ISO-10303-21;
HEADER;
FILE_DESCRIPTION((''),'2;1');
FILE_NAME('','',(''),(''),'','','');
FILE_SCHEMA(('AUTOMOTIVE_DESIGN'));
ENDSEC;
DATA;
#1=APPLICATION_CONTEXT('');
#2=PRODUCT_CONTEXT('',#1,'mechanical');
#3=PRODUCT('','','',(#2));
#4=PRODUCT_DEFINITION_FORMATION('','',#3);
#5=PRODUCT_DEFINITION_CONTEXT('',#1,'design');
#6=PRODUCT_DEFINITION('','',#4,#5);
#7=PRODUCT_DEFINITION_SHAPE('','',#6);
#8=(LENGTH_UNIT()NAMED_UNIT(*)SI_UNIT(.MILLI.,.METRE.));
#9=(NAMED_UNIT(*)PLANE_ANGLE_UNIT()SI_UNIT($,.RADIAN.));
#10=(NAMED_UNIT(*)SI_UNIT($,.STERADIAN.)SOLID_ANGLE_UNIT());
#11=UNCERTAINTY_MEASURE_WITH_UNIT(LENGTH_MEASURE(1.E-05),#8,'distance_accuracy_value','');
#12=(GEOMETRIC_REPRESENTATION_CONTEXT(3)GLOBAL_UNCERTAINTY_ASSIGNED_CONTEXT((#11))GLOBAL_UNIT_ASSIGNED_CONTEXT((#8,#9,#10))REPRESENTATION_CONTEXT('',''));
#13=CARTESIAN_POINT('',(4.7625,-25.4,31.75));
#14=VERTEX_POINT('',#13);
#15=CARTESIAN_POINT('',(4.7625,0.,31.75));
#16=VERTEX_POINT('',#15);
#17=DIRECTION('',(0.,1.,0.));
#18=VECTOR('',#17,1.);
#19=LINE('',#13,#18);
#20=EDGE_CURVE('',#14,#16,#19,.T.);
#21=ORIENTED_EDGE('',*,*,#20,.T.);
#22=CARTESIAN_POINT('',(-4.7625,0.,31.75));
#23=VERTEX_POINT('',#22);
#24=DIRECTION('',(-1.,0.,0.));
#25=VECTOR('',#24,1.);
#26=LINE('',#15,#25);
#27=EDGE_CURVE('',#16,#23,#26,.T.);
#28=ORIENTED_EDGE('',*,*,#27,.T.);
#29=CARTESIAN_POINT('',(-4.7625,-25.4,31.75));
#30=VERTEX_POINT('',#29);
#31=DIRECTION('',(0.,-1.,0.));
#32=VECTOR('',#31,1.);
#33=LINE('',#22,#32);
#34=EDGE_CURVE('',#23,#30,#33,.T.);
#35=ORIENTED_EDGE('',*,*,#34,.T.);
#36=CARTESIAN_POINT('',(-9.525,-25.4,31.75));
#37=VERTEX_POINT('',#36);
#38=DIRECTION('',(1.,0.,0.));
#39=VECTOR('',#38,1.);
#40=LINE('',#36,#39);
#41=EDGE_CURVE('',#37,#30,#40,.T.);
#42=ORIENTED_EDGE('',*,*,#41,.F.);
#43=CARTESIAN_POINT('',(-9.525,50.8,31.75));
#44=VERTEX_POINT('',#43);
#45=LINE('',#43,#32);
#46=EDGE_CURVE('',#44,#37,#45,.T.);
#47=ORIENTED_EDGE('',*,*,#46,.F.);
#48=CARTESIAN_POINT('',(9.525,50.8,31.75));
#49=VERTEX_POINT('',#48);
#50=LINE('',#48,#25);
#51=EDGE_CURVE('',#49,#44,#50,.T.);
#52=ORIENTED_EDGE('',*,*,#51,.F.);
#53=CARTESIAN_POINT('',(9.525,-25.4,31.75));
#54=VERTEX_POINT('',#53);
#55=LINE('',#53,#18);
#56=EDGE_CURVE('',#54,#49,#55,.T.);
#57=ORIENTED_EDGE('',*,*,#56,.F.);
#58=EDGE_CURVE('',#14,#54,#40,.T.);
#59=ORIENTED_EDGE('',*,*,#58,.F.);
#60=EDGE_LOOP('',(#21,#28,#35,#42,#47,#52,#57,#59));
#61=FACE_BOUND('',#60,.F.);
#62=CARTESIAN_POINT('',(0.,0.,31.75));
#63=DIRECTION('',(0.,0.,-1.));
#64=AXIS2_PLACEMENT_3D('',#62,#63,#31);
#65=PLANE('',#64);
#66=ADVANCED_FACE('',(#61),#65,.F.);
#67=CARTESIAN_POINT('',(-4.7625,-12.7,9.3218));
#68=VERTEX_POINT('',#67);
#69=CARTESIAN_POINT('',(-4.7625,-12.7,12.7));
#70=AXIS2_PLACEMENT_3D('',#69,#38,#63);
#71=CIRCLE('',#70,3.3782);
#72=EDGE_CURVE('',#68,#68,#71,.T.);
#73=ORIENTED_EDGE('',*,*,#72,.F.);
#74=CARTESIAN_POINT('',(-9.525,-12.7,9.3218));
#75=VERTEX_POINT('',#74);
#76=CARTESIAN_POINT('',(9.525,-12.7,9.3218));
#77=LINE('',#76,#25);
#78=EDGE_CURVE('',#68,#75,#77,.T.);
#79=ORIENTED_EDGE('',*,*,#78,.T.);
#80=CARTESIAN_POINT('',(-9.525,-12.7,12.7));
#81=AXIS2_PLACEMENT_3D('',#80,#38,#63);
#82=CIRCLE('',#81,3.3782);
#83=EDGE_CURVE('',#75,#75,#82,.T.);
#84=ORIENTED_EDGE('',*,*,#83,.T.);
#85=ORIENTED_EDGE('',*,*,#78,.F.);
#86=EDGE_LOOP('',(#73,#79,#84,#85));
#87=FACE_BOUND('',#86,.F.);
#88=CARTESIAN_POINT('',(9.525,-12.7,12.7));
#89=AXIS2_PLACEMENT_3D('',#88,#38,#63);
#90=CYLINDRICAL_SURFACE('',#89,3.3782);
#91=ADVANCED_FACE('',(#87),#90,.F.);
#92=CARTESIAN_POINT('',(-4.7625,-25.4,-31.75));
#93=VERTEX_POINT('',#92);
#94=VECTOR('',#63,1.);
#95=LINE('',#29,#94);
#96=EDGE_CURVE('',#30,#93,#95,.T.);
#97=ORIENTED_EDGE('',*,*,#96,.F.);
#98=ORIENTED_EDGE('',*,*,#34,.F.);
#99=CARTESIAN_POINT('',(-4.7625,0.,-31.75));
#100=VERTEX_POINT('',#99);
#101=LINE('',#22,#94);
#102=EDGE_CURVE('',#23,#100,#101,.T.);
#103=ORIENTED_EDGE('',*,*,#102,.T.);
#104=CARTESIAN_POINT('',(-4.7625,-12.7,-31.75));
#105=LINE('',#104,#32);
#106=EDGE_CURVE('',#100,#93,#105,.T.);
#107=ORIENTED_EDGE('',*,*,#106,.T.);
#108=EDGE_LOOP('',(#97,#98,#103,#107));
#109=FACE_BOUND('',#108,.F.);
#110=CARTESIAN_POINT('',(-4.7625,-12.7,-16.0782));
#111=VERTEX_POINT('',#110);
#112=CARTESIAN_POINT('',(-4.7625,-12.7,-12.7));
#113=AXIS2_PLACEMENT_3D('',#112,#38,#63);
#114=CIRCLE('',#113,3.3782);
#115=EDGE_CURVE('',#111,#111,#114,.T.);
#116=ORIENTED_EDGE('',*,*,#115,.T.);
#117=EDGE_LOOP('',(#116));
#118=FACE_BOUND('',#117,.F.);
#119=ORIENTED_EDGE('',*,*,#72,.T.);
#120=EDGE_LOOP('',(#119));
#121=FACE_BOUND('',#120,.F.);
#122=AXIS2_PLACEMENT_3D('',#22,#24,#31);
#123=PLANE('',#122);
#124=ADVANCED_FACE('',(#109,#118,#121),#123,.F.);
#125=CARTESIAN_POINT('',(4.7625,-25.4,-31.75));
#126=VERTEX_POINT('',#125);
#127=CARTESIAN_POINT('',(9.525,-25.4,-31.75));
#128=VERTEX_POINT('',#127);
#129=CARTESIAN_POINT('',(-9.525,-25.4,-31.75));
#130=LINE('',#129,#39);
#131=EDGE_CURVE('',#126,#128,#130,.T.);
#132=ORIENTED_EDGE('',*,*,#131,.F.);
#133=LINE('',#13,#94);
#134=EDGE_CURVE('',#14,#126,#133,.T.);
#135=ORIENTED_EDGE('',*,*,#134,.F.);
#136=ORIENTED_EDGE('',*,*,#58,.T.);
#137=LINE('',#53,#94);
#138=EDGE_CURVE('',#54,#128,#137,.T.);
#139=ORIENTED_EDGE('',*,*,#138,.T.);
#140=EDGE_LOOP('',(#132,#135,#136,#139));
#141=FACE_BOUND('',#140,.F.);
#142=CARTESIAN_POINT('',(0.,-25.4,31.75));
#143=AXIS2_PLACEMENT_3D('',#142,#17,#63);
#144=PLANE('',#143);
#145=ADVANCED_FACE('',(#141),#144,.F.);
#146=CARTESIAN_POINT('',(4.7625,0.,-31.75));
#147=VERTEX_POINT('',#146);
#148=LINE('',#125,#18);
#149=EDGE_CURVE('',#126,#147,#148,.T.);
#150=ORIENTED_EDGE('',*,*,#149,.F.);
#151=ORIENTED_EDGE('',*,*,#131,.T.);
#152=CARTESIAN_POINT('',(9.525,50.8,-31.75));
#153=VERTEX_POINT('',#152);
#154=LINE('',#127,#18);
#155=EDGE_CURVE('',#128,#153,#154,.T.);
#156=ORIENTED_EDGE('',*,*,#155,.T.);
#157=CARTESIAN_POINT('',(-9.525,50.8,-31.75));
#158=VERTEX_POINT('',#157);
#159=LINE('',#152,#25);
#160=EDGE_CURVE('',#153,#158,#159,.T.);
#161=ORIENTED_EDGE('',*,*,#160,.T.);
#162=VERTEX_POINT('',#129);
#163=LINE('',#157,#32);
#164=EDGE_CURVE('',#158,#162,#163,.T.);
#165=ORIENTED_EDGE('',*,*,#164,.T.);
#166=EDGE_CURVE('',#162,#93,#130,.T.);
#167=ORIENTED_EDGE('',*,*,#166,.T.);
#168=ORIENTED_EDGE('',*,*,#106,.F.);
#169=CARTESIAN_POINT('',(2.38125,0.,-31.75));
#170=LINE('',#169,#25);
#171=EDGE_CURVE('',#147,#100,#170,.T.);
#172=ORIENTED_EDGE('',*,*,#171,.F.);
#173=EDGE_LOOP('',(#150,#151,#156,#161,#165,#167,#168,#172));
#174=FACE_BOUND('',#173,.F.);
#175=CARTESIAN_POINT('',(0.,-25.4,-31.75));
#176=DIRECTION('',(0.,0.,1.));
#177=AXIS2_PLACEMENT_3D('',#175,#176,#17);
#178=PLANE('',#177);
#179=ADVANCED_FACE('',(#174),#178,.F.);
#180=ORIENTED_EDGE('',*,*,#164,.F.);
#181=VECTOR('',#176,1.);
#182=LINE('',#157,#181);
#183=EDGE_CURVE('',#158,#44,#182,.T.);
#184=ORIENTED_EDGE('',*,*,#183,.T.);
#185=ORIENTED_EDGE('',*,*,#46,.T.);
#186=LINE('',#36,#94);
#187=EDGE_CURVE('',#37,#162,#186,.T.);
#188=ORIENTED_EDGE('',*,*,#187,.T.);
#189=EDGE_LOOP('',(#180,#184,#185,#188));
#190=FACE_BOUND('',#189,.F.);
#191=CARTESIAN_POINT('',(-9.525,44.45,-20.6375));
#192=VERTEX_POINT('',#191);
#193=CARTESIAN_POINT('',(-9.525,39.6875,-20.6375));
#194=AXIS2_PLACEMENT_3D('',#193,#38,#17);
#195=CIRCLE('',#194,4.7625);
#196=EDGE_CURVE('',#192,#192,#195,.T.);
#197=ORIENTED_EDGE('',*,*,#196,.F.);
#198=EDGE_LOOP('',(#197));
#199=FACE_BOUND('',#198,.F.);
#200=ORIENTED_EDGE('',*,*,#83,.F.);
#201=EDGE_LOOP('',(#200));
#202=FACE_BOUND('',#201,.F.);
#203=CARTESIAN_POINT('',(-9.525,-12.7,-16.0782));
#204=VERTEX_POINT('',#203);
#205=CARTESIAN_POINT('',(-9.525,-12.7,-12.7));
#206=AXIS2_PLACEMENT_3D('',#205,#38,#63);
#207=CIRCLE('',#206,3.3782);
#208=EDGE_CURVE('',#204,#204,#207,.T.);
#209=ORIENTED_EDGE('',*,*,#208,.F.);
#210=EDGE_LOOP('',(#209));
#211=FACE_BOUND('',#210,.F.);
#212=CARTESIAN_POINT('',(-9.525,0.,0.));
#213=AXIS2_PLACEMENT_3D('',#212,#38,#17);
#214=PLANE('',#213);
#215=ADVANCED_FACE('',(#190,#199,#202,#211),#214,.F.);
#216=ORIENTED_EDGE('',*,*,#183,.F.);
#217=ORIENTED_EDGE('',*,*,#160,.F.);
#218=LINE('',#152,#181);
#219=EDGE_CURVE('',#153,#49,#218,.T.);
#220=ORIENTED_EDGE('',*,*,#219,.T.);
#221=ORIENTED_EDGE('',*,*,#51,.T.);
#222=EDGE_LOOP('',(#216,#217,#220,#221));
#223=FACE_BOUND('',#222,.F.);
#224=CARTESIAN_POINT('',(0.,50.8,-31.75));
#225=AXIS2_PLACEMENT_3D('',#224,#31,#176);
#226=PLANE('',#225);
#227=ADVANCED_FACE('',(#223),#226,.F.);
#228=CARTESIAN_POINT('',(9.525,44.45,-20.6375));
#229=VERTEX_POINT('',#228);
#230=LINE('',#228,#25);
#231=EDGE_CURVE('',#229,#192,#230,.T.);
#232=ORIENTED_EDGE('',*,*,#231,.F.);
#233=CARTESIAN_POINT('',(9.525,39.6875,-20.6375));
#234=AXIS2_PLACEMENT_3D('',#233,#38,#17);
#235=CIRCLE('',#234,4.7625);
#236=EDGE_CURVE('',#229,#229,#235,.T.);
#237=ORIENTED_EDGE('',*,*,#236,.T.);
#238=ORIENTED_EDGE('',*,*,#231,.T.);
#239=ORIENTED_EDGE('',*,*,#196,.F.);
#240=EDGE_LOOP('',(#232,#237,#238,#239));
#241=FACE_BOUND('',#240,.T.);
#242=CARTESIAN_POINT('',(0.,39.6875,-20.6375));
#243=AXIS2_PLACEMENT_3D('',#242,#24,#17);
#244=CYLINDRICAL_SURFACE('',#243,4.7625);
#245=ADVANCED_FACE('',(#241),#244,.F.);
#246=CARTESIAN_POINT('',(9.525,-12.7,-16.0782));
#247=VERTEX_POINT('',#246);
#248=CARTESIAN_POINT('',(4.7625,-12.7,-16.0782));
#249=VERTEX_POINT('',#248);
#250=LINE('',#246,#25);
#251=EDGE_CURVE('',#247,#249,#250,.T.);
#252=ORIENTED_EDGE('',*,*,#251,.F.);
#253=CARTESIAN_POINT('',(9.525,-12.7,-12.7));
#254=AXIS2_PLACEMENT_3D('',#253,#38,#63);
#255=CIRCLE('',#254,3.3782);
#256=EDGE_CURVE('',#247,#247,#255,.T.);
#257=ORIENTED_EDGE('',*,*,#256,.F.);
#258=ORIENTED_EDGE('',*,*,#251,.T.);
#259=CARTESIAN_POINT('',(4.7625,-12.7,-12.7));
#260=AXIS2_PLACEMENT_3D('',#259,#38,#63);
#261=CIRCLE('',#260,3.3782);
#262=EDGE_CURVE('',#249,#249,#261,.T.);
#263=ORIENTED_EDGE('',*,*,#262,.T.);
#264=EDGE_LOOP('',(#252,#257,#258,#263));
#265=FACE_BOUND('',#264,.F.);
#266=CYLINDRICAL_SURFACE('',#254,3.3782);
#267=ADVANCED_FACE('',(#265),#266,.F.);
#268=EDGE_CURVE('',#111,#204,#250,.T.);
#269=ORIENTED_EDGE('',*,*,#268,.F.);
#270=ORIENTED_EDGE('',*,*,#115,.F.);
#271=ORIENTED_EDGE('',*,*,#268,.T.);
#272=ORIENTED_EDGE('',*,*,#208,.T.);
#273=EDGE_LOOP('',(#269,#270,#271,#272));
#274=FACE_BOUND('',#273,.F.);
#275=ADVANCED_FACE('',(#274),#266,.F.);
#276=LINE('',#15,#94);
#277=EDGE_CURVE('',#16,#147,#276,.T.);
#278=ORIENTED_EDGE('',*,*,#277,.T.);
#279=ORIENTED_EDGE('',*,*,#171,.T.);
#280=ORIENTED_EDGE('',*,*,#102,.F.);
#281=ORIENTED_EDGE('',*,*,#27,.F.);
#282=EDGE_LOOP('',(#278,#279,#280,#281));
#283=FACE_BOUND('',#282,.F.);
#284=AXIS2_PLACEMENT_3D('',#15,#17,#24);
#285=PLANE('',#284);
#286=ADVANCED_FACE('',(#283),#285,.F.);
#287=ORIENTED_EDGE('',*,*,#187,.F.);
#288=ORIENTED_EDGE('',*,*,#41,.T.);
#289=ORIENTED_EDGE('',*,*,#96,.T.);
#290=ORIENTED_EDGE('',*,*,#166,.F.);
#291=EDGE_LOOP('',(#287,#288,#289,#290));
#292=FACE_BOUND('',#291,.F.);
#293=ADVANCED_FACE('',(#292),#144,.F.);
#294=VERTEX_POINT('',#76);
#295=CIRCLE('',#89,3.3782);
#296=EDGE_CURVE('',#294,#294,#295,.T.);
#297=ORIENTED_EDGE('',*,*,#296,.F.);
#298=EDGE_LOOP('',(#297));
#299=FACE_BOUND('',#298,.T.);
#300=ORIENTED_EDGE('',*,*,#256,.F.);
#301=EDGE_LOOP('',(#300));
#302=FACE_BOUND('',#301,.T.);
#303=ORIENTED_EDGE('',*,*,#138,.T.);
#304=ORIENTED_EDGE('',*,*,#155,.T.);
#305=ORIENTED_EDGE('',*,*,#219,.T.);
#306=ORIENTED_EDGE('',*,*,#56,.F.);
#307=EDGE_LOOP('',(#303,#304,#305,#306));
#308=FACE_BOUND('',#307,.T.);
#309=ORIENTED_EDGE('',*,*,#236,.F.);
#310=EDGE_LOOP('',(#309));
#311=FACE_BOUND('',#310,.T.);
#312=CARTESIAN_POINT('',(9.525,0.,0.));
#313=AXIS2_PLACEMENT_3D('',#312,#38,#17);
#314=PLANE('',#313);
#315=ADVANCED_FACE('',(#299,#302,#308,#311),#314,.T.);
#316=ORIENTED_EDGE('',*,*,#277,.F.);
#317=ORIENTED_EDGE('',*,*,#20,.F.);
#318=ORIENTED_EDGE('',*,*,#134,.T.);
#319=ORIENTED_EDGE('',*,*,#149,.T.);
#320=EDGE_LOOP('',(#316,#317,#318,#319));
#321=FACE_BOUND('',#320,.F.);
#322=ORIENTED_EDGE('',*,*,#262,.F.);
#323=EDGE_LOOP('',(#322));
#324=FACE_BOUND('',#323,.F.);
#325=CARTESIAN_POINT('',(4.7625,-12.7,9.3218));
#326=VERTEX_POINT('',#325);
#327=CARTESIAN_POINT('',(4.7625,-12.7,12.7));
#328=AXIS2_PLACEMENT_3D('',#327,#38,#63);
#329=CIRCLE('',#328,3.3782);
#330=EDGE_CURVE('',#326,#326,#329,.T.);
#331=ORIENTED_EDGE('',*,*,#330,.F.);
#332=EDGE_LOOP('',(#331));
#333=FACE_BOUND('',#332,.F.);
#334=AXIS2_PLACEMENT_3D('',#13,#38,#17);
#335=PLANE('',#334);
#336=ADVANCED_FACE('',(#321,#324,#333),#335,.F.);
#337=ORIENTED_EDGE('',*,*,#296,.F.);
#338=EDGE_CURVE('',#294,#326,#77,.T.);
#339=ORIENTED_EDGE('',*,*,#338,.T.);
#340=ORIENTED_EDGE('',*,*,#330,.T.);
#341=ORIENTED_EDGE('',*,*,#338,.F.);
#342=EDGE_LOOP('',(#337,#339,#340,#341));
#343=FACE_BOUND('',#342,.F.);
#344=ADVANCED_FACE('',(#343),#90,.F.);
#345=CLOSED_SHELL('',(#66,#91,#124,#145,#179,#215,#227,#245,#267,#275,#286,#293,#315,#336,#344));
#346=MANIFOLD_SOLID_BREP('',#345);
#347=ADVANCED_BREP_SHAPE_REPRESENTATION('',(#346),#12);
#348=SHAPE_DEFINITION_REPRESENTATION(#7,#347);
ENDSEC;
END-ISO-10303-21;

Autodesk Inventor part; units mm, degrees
ref_plane "YZ Plane" through (0, 0, 0) normal (1, 0, 0) x (0, 1, 0)
ref_plane "XZ Plane" through (0, 0, 0) normal (0, 1, 0) x (-1, 0, 0)
ref_plane "XY Plane" through (0, 0, 0) normal (0, 0, 1) x (1, 0, 0)
sketch "Sketch6" plane through (0, 0, 0) normal (1, 0, 0) x (0, 1, 0)
  line L0 (-25.4, 31.75) -> (-25.4, -31.75)
  line L1 (-25.4, -31.75) -> (0, -31.75)
  line L2 (0, -31.75) -> (0, 31.75)
  line L3 (0, 31.75) -> (-25.4, 31.75)
  line L4 (-25.4, 31.75) -> (0, -31.75) construction
  line L5 (-25.4, -31.75) -> (0, 31.75) construction
  line L6 (0, 31.75) -> (0, -31.75)
  line L7 (0, -31.75) -> (50.8, -31.75)
  line L8 (50.8, -31.75) -> (50.8, 31.75)
  line L9 (50.8, 31.75) -> (0, 31.75)
  line L10 (0, 31.75) -> (50.8, -31.75) construction
  line L11 (0, -31.75) -> (50.8, 31.75) construction
  circle A0 centre (39.6875, -20.6375) radius 4.7625
  point P0 (0, 0)
  point P1 (-12.7, 0)
  point P2 (25.4, 0)
  dimension "d12" = 12.7
  dimension "d13" = 25.4
  dimension "d14" = 50.8
  dimension "d15" = 25.4
  dimension "d16" = 9.525
  dimension "d17" = 11.1125
  dimension "d18" = 11.1125
  dimension "d24" = 63.5
extrude "Extrusion3" add sketch "Sketch6" along normal mid plane 19.05
sketch "Sketch7" plane through (-9.525, -25.4, 31.75) normal (0, 0, 1) x (1, 0, 0)
  line L0 (9.525, 25.4) -> (9.525, 0) construction
  line L1 (0, 0) -> (19.05, 0) construction
  line L2 (4.7625, 0) -> (14.2875, 0)
  line L3 (14.2875, 0) -> (14.2875, 25.4)
  line L4 (14.2875, 25.4) -> (4.7625, 25.4)
  line L5 (4.7625, 25.4) -> (4.7625, 0)
  line L6 (4.7625, 0) -> (14.2875, 25.4) construction
  line L7 (14.2875, 0) -> (4.7625, 25.4) construction
  point P0 (9.525, 12.7)
  dimension "d21" = 9.525
extrude "Extrusion4" cut sketch "Sketch7" against normal through all
sketch "Sketch8" plane through (9.525, 0, 0) normal (1, 0, 0) x (0, 0, -1)
  line L0 (31.75, -25.4) -> (31.75, 0) projected
  line L1 (-31.75, -25.4) -> (31.75, -25.4) projected
  line L2 (-31.75, 0) -> (-31.75, -25.4) projected
  line L3 (-31.75, 0) -> (31.75, 0) projected
  line L4 (-292.1, -85.725) -> (-292.1, -12.7) projected
  arc A0 (-292.1, -85.725) -> (-279.4, -98.425) centre (-279.4, -85.725) ccw projected
  line L5 (222.25, -98.425) -> (-279.4, -98.425) projected
  arc A1 (222.25, -98.425) -> (234.95, -85.725) centre (222.25, -85.725) ccw projected
  line L6 (234.95, -81.1401) -> (234.95, -85.725) projected
  arc A2 (234.95, -81.1401) -> (231.6119, -72.5584) centre (222.25, -81.1401) ccw projected
  line L7 (231.6119, -72.5584) -> (168.8751, -4.1183) projected
  arc A3 (168.8751, -4.1183) -> (159.5132, 0) centre (159.5132, -12.7) ccw projected
  line L8 (159.5132, 0) -> (-279.4, 0) projected
  arc A4 (-279.4, 0) -> (-292.1, -12.7) centre (-279.4, -12.7) ccw projected
  circle A5 centre (215.9, -79.375) radius 4.826 projected
  circle A6 centre (-241.3, -79.375) radius 4.826 projected
  circle A7 centre (200.025, -79.375) radius 4.826 projected
  circle A8 centre (182.9995, -40.6685) radius 3.3782 projected
  circle A9 centre (165.1, -85.725) radius 3.3782 projected
  line L9 (-236.5375, -55.8157) -> (-236.5375, -25.4) projected
  arc A10 (-233.3625, -22.225) -> (-236.5375, -25.4) centre (-233.3625, -25.4) ccw projected
  line L10 (-233.3625, -22.225) -> (-210.2431, -22.225) projected
  arc A11 (-207.7154, -27.3213) -> (-210.2431, -22.225) centre (-210.2431, -25.4) ccw projected
  line L11 (-207.7154, -27.3213) -> (-230.8348, -57.737) projected
  arc A12 (-236.5375, -55.8157) -> (-230.8348, -57.737) centre (-233.3625, -55.8157) ccw projected
  line L12 (-229.0307, -71.1037) -> (-201.0846, -34.338) projected
  arc A13 (-195.3819, -36.2593) -> (-201.0846, -34.338) centre (-198.5569, -36.2593) ccw projected
  line L13 (-195.3819, -36.2593) -> (-195.3819, -73.025) projected
  arc A14 (-198.5569, -76.2) -> (-195.3819, -73.025) centre (-198.5569, -73.025) ccw projected
  line L14 (-198.5569, -76.2) -> (-226.503, -76.2) projected
  arc A15 (-229.0307, -71.1037) -> (-226.503, -76.2) centre (-226.503, -73.025) ccw projected
  line L15 (-73.119, -73.025) -> (-73.119, -34.8804) projected
  arc A16 (-67.6008, -32.738) -> (-73.119, -34.8804) centre (-69.944, -34.8804) ccw projected
  line L16 (-67.6008, -32.738) -> (-32.724, -70.8826) projected
  arc A17 (-35.0672, -76.2) -> (-32.724, -70.8826) centre (-35.0672, -73.025) ccw projected
  line L17 (-35.0672, -76.2) -> (-69.944, -76.2) projected
  arc A18 (-73.119, -73.025) -> (-69.944, -76.2) centre (-69.944, -73.025) ccw projected
  line L18 (34.0449, -27.5424) -> (-2.4193, -67.4233) projected
  arc A19 (-7.9375, -65.2808) -> (-2.4193, -67.4233) centre (-4.7625, -65.2808) ccw projected
  line L19 (-7.9375, -65.2808) -> (-7.9375, -25.4) projected
  arc A20 (-4.7625, -22.225) -> (-7.9375, -25.4) centre (-4.7625, -25.4) ccw projected
  line L20 (-4.7625, -22.225) -> (31.7017, -22.225) projected
  arc A21 (34.0449, -27.5424) -> (31.7017, -22.225) centre (31.7017, -25.4) ccw projected
  line L21 (-22.9807, -67.4233) -> (-59.4449, -27.5424) projected
  arc A22 (-57.1017, -22.225) -> (-59.4449, -27.5424) centre (-57.1017, -25.4) ccw projected
  line L22 (-57.1017, -22.225) -> (-20.6375, -22.225) projected
  arc A23 (-17.4625, -25.4) -> (-20.6375, -22.225) centre (-20.6375, -25.4) ccw projected
  line L23 (-17.4625, -25.4) -> (-17.4625, -65.2808) projected
  arc A24 (-22.9807, -67.4233) -> (-17.4625, -65.2808) centre (-20.6375, -65.2808) ccw projected
  line L24 (47.719, -34.8804) -> (47.719, -73.025) projected
  arc A25 (44.544, -76.2) -> (47.719, -73.025) centre (44.544, -73.025) ccw projected
  line L25 (44.544, -76.2) -> (9.6672, -76.2) projected
  arc A26 (7.324, -70.8826) -> (9.6672, -76.2) centre (9.6672, -73.025) ccw projected
  line L26 (7.324, -70.8826) -> (42.2008, -32.738) projected
  arc A27 (47.719, -34.8804) -> (42.2008, -32.738) centre (44.544, -34.8804) ccw projected
  line L27 (84.1375, -25.4) -> (84.1375, -73.025) projected
  arc A28 (80.9625, -76.2) -> (84.1375, -73.025) centre (80.9625, -73.025) ccw projected
  line L28 (80.9625, -76.2) -> (60.419, -76.2) projected
  arc A29 (57.244, -73.025) -> (60.419, -76.2) centre (60.419, -73.025) ccw projected
  line L29 (57.244, -73.025) -> (57.244, -25.4) projected
  arc A30 (60.419, -22.225) -> (57.244, -25.4) centre (60.419, -25.4) ccw projected
  line L30 (60.419, -22.225) -> (80.9625, -22.225) projected
  arc A31 (84.1375, -25.4) -> (80.9625, -22.225) centre (80.9625, -25.4) ccw projected
  line L31 (142.875, -69.85) -> (142.875, -29.1831) projected
  arc A32 (148.4044, -27.053) -> (142.875, -29.1831) centre (146.05, -29.1831) ccw projected
  line L32 (148.4044, -27.053) -> (188.0708, -70.8949) projected
  arc A33 (185.7165, -76.2) -> (188.0708, -70.8949) centre (185.7165, -73.025) ccw projected
  line L33 (185.7165, -76.2) -> (149.225, -76.2) projected
  arc A34 (142.875, -69.85) -> (149.225, -76.2) centre (149.225, -69.85) ccw projected
  circle A35 centre (-173.7792, -57.6072) radius 5.5626 projected
  circle A36 centre (-96.3092, -32.2072) radius 5.5626 projected
  circle A37 centre (-173.7792, -32.2072) radius 5.5626 projected
  circle A38 centre (-96.3092, -57.6072) radius 5.5626 projected
  circle A39 centre (101.6, -28.575) radius 2.5527 projected
  circle A40 centre (111.125, -19.05) radius 2.5527 projected
  circle A41 centre (120.65, -9.525) radius 2.5527 projected
  circle A42 centre (101.6, -88.9) radius 2.5527 projected
  circle A43 centre (120.65, -69.85) radius 2.5527 projected
  circle A44 centre (111.125, -79.375) radius 2.5527 projected
  circle A45 centre (-266.7, -12.7) radius 3.3782 projected
  circle A46 centre (-266.7, -85.725) radius 3.3782 projected
  circle A47 centre (-241.3, -12.7) radius 3.3782 projected
  circle A48 centre (-215.9, -12.7) radius 3.3782 projected
  circle A49 centre (-215.9, -85.725) radius 3.3782 projected
  circle A50 centre (-190.5, -12.7) radius 3.3782 projected
  circle A51 centre (-165.1, -12.7) radius 3.3782 projected
  circle A52 centre (-165.1, -85.725) radius 3.3782 projected
  circle A53 centre (-139.7, -12.7) radius 3.3782 projected
  circle A54 centre (-139.7, -85.725) radius 3.3782 projected
  circle A55 centre (-114.3, -12.7) radius 3.3782 projected
  circle A56 centre (-114.3, -85.725) radius 3.3782 projected
  circle A57 centre (-88.9, -12.7) radius 3.3782 projected
  circle A58 centre (-63.5, -12.7) radius 3.3782 projected
  circle A59 centre (-63.5, -85.725) radius 3.3782 projected
  circle A60 centre (-38.1, -12.7) radius 3.3782 projected
  circle A61 centre (-38.1, -85.725) radius 3.3782 projected
  circle A62 centre (-12.7, -12.7) radius 3.3782 projected
  circle A63 centre (12.7, -12.7) radius 3.3782 projected
  circle A64 centre (12.7, -85.725) radius 3.3782 projected
  circle A65 centre (38.1, -12.7) radius 3.3782 projected
  circle A66 centre (38.1, -85.725) radius 3.3782 projected
  circle A67 centre (63.5, -12.7) radius 3.3782 projected
  circle A68 centre (63.5, -85.725) radius 3.3782 projected
  circle A69 centre (88.9, -12.7) radius 3.3782 projected
  circle A70 centre (88.9, -85.725) radius 3.3782 projected
  circle A71 centre (139.7, -12.7) radius 3.3782 projected
  circle A72 centre (139.7, -85.725) radius 3.3782 projected
  circle A73 centre (161.925, -15.875) radius 4.953 projected
  circle A74 centre (-190.6194, -90.5002) radius 3.3528 projected
  circle A75 centre (-79.469, -90.5002) radius 3.3528 projected
  circle A76 centre (-135.0442, -60.325) radius 14.2812 projected
  circle A77 centre (-12.7, -83.185) radius 4.826 projected
  circle A78 centre (-12.7, -12.7) radius 3.3782
  circle A79 centre (12.7, -12.7) radius 3.3782
  point P0 (0, 0)
extrude "Extrusion5" cut sketch "Sketch8" against normal through all contours A62 | A63
properties part number "WideSupportForLift" material "Aluminum 6061"
